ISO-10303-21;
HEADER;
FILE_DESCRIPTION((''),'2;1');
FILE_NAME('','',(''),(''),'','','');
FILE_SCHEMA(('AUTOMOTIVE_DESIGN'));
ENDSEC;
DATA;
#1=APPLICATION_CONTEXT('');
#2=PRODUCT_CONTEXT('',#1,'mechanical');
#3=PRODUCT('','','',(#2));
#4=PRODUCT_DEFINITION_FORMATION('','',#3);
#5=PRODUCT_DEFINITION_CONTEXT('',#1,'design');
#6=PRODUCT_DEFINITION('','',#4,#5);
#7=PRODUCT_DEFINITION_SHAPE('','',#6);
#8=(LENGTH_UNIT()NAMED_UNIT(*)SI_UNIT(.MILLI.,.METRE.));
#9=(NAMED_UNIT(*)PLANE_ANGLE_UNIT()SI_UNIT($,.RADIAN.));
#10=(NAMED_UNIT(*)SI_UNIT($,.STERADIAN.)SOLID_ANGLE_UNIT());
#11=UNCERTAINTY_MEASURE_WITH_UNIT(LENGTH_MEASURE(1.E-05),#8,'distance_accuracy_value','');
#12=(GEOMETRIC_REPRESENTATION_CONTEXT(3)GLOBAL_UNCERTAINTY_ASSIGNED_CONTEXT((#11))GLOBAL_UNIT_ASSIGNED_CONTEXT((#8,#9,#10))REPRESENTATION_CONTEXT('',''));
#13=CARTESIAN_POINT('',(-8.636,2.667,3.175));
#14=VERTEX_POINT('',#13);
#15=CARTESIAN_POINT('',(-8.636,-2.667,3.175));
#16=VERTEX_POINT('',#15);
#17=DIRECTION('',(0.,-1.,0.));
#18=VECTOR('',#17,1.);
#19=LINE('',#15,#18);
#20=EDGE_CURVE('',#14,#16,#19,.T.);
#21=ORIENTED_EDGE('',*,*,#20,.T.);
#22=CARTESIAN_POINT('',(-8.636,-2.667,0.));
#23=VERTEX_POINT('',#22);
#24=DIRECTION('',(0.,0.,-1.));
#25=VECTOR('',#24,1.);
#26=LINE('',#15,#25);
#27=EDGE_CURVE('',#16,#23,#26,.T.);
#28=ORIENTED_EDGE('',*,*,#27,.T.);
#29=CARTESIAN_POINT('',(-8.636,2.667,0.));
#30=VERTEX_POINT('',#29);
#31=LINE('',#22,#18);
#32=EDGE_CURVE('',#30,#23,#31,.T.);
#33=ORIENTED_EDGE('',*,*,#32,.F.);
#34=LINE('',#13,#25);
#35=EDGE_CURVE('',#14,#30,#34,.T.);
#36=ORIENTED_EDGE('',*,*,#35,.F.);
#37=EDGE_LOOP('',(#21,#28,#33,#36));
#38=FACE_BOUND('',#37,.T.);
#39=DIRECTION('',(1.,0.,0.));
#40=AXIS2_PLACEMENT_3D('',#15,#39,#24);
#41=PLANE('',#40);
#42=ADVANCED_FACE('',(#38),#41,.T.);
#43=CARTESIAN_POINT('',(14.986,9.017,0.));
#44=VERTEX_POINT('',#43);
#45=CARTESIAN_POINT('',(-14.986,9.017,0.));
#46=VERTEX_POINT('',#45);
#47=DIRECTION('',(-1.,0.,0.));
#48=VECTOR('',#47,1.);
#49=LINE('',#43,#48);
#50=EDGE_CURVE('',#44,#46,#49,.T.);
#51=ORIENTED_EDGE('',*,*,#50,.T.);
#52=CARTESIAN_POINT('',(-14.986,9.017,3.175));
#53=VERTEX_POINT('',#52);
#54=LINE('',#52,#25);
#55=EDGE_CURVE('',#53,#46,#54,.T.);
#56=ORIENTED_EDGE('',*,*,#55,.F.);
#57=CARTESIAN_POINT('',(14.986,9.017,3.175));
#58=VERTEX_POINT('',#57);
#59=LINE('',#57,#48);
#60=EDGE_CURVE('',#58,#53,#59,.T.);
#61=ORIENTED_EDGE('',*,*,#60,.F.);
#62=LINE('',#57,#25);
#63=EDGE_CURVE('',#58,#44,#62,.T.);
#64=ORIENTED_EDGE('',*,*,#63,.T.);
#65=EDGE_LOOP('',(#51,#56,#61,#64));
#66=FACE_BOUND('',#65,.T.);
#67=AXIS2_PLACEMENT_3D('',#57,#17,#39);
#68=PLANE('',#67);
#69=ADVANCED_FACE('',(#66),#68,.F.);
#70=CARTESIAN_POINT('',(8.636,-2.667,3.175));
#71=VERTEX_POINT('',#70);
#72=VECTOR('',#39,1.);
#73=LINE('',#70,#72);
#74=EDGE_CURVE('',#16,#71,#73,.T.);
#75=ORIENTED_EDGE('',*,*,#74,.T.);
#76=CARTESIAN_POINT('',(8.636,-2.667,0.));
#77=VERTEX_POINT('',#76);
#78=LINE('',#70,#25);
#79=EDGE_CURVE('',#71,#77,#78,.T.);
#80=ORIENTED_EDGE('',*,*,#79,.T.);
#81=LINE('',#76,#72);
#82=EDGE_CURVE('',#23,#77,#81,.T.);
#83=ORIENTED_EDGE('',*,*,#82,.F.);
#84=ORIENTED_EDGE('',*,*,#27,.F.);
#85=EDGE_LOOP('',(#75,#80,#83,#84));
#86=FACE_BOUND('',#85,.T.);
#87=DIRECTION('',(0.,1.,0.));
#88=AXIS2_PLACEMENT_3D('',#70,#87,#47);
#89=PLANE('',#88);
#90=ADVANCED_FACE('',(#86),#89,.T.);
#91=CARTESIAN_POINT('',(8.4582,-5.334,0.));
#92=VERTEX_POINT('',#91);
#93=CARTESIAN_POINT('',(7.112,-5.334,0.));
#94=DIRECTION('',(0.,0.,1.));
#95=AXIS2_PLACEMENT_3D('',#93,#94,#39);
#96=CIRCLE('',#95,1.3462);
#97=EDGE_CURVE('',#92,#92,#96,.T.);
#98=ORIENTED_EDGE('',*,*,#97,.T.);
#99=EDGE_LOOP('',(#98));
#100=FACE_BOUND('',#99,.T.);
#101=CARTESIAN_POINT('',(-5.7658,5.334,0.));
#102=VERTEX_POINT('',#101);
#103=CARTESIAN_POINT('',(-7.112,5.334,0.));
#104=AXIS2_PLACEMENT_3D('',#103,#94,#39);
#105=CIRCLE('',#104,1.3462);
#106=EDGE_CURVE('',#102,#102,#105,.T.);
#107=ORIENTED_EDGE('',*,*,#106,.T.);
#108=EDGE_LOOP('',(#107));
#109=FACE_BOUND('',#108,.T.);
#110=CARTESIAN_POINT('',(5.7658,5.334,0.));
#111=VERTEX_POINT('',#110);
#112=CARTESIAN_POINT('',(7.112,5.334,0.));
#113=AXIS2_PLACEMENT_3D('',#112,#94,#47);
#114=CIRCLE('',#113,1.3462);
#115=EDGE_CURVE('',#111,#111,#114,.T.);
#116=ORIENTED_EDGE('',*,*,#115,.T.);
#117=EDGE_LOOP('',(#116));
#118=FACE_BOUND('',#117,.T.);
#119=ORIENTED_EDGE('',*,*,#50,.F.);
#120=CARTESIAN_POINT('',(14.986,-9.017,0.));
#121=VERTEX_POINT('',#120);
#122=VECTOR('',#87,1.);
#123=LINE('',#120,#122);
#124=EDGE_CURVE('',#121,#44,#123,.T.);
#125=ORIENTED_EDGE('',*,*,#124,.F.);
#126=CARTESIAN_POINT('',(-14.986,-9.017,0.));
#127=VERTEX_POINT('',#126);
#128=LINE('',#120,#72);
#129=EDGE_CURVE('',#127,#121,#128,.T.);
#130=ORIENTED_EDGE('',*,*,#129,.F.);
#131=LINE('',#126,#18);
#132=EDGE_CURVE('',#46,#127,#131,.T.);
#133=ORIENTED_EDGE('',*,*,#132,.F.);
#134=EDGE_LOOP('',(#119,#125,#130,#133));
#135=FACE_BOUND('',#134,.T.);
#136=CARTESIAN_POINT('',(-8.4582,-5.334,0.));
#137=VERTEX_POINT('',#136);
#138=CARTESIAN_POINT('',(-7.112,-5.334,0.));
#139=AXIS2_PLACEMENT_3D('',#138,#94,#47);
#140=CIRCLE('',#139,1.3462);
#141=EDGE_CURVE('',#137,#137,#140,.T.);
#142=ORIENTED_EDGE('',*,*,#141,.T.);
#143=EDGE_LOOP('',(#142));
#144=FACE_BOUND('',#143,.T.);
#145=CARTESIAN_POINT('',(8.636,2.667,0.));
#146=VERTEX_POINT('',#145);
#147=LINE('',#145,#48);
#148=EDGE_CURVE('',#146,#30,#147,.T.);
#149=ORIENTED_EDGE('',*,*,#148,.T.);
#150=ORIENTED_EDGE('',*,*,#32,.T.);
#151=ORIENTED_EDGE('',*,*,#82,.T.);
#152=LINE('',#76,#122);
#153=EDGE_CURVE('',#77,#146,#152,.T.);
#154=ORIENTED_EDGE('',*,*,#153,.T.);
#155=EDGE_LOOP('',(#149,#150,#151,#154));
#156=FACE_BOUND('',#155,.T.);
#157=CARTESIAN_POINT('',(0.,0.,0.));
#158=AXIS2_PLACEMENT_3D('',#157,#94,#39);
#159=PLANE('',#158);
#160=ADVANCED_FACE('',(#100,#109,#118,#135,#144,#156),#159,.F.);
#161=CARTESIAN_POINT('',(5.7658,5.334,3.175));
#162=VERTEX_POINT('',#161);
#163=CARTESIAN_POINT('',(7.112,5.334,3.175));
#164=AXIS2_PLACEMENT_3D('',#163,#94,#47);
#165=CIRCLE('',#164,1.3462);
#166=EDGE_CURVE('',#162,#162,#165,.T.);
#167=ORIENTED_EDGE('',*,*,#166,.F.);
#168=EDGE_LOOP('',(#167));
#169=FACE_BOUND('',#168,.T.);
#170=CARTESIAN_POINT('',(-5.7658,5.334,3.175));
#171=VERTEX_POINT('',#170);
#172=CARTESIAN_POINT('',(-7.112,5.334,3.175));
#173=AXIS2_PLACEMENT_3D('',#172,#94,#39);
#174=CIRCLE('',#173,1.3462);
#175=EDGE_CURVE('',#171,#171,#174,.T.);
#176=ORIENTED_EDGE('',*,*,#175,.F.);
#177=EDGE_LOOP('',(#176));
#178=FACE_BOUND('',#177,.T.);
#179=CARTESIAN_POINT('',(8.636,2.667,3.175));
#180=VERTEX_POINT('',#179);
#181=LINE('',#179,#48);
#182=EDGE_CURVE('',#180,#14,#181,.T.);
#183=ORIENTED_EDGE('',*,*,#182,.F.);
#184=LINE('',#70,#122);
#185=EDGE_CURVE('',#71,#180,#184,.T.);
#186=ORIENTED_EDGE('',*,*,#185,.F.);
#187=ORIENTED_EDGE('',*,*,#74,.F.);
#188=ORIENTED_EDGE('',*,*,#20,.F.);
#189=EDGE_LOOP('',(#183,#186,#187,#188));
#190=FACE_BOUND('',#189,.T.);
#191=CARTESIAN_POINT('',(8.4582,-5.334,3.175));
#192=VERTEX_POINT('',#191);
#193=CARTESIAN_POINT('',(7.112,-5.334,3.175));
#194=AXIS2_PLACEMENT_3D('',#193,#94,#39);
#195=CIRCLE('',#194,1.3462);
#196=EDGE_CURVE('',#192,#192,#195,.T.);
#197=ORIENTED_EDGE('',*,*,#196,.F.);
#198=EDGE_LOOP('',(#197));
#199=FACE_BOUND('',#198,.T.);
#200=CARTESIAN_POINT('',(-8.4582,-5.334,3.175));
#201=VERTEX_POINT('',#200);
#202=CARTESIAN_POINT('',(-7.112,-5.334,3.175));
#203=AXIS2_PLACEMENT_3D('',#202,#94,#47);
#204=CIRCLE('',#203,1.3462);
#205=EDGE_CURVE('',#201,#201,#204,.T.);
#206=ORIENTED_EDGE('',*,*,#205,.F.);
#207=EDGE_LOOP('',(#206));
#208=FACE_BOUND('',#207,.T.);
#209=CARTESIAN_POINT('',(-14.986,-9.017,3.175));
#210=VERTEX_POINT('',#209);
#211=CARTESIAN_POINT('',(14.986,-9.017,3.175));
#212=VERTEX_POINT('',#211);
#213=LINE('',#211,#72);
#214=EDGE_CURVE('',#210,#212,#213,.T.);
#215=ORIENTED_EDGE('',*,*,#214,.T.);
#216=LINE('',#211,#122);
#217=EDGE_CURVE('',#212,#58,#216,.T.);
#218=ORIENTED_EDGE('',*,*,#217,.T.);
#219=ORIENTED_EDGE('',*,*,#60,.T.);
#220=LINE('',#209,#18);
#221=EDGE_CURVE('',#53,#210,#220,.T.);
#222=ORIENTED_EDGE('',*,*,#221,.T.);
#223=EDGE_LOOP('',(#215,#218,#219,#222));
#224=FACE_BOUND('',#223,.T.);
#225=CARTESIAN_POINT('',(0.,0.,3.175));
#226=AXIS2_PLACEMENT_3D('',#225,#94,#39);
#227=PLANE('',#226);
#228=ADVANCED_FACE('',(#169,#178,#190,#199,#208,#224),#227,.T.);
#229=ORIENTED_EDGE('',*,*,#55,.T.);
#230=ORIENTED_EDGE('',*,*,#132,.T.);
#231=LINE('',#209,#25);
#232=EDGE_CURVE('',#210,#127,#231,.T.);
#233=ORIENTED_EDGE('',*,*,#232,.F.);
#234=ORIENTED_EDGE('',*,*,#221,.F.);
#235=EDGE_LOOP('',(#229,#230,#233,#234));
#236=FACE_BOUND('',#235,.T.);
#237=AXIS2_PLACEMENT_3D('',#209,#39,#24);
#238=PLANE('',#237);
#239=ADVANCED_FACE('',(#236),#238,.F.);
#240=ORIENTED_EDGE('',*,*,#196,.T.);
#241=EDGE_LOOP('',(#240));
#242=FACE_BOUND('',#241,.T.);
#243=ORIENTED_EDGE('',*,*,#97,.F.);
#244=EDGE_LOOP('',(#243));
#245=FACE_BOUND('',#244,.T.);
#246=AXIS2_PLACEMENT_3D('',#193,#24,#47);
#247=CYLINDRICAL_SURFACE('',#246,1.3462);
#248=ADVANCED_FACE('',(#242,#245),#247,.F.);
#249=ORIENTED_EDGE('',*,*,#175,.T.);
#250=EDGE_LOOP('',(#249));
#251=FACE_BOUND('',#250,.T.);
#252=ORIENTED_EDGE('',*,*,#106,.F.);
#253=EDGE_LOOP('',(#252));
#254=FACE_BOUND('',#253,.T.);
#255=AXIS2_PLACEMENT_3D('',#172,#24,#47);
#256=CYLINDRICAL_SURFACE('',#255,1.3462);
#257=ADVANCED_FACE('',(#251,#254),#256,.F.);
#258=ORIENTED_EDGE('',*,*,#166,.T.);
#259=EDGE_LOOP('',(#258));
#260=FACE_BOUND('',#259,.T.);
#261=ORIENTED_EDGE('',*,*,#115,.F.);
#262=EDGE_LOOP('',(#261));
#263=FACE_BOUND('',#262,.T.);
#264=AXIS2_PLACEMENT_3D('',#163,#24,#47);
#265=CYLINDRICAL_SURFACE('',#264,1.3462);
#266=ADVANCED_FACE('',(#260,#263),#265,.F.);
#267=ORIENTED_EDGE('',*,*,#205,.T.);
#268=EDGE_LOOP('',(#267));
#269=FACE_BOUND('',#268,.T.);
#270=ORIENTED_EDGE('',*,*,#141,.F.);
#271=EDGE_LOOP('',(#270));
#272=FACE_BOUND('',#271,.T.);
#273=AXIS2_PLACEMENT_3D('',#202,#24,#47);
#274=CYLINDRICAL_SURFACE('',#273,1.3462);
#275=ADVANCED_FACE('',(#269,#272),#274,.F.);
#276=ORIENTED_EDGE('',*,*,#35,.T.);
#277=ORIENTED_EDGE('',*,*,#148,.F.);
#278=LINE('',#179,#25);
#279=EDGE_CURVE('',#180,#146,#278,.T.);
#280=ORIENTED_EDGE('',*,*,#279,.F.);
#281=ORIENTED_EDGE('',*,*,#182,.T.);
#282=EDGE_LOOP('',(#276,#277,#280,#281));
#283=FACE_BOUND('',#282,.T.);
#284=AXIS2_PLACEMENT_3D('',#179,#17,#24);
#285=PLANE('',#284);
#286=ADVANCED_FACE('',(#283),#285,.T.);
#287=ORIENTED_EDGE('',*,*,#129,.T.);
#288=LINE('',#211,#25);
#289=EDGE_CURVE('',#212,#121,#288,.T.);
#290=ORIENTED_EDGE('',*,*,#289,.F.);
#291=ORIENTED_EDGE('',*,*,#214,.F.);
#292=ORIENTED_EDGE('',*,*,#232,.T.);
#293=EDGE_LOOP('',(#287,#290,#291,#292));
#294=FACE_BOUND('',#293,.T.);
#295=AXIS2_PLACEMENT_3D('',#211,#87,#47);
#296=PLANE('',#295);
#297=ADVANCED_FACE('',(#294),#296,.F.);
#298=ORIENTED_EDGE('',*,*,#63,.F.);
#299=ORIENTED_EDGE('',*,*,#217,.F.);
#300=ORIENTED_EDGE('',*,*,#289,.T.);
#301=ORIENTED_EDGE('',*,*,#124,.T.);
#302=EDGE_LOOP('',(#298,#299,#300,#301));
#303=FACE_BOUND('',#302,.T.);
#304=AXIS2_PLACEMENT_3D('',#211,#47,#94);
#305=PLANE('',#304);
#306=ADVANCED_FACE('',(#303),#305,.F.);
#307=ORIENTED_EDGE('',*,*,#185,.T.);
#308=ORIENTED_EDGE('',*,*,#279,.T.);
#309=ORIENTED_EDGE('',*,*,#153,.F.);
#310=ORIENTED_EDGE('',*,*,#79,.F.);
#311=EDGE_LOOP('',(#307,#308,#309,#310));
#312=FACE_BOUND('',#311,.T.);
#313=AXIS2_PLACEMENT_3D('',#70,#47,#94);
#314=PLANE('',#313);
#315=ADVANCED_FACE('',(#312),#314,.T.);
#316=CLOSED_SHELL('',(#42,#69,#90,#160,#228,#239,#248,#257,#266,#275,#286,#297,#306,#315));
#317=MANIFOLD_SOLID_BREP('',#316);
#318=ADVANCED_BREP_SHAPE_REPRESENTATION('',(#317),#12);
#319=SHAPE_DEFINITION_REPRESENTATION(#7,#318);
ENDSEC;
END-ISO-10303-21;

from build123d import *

# Parameters (mm, degrees)
SKETCH2_W           = 29.972
SKETCH2_H           = 18.034
SKETCH2_R           = 1.3462
SKETCH2_W_2         = 17.272
SKETCH2_H_2         = 5.334
BOSS_EXTRUDE1_DEPTH = 3.175


with BuildPart() as part:
    # Sketch2 → Boss-Extrude1 (new body)
    with BuildSketch(Plane.XY):
        Rectangle(SKETCH2_W, SKETCH2_H)
        with Locations((-7.112, 5.334)):
            Circle(SKETCH2_R, mode=Mode.SUBTRACT)
        with Locations(Location((7.112, 5.334, 0), (0, 0, 180))):
            Circle(SKETCH2_R, mode=Mode.SUBTRACT)
        with Locations((7.112, -5.334)):
            Circle(SKETCH2_R, mode=Mode.SUBTRACT)
        with Locations(Location((-7.112, -5.334, 0), (0, 0, 180))):
            Circle(SKETCH2_R, mode=Mode.SUBTRACT)
        Rectangle(SKETCH2_W_2, SKETCH2_H_2, mode=Mode.SUBTRACT)
    extrude(amount=BOSS_EXTRUDE1_DEPTH)


solid = part.part
